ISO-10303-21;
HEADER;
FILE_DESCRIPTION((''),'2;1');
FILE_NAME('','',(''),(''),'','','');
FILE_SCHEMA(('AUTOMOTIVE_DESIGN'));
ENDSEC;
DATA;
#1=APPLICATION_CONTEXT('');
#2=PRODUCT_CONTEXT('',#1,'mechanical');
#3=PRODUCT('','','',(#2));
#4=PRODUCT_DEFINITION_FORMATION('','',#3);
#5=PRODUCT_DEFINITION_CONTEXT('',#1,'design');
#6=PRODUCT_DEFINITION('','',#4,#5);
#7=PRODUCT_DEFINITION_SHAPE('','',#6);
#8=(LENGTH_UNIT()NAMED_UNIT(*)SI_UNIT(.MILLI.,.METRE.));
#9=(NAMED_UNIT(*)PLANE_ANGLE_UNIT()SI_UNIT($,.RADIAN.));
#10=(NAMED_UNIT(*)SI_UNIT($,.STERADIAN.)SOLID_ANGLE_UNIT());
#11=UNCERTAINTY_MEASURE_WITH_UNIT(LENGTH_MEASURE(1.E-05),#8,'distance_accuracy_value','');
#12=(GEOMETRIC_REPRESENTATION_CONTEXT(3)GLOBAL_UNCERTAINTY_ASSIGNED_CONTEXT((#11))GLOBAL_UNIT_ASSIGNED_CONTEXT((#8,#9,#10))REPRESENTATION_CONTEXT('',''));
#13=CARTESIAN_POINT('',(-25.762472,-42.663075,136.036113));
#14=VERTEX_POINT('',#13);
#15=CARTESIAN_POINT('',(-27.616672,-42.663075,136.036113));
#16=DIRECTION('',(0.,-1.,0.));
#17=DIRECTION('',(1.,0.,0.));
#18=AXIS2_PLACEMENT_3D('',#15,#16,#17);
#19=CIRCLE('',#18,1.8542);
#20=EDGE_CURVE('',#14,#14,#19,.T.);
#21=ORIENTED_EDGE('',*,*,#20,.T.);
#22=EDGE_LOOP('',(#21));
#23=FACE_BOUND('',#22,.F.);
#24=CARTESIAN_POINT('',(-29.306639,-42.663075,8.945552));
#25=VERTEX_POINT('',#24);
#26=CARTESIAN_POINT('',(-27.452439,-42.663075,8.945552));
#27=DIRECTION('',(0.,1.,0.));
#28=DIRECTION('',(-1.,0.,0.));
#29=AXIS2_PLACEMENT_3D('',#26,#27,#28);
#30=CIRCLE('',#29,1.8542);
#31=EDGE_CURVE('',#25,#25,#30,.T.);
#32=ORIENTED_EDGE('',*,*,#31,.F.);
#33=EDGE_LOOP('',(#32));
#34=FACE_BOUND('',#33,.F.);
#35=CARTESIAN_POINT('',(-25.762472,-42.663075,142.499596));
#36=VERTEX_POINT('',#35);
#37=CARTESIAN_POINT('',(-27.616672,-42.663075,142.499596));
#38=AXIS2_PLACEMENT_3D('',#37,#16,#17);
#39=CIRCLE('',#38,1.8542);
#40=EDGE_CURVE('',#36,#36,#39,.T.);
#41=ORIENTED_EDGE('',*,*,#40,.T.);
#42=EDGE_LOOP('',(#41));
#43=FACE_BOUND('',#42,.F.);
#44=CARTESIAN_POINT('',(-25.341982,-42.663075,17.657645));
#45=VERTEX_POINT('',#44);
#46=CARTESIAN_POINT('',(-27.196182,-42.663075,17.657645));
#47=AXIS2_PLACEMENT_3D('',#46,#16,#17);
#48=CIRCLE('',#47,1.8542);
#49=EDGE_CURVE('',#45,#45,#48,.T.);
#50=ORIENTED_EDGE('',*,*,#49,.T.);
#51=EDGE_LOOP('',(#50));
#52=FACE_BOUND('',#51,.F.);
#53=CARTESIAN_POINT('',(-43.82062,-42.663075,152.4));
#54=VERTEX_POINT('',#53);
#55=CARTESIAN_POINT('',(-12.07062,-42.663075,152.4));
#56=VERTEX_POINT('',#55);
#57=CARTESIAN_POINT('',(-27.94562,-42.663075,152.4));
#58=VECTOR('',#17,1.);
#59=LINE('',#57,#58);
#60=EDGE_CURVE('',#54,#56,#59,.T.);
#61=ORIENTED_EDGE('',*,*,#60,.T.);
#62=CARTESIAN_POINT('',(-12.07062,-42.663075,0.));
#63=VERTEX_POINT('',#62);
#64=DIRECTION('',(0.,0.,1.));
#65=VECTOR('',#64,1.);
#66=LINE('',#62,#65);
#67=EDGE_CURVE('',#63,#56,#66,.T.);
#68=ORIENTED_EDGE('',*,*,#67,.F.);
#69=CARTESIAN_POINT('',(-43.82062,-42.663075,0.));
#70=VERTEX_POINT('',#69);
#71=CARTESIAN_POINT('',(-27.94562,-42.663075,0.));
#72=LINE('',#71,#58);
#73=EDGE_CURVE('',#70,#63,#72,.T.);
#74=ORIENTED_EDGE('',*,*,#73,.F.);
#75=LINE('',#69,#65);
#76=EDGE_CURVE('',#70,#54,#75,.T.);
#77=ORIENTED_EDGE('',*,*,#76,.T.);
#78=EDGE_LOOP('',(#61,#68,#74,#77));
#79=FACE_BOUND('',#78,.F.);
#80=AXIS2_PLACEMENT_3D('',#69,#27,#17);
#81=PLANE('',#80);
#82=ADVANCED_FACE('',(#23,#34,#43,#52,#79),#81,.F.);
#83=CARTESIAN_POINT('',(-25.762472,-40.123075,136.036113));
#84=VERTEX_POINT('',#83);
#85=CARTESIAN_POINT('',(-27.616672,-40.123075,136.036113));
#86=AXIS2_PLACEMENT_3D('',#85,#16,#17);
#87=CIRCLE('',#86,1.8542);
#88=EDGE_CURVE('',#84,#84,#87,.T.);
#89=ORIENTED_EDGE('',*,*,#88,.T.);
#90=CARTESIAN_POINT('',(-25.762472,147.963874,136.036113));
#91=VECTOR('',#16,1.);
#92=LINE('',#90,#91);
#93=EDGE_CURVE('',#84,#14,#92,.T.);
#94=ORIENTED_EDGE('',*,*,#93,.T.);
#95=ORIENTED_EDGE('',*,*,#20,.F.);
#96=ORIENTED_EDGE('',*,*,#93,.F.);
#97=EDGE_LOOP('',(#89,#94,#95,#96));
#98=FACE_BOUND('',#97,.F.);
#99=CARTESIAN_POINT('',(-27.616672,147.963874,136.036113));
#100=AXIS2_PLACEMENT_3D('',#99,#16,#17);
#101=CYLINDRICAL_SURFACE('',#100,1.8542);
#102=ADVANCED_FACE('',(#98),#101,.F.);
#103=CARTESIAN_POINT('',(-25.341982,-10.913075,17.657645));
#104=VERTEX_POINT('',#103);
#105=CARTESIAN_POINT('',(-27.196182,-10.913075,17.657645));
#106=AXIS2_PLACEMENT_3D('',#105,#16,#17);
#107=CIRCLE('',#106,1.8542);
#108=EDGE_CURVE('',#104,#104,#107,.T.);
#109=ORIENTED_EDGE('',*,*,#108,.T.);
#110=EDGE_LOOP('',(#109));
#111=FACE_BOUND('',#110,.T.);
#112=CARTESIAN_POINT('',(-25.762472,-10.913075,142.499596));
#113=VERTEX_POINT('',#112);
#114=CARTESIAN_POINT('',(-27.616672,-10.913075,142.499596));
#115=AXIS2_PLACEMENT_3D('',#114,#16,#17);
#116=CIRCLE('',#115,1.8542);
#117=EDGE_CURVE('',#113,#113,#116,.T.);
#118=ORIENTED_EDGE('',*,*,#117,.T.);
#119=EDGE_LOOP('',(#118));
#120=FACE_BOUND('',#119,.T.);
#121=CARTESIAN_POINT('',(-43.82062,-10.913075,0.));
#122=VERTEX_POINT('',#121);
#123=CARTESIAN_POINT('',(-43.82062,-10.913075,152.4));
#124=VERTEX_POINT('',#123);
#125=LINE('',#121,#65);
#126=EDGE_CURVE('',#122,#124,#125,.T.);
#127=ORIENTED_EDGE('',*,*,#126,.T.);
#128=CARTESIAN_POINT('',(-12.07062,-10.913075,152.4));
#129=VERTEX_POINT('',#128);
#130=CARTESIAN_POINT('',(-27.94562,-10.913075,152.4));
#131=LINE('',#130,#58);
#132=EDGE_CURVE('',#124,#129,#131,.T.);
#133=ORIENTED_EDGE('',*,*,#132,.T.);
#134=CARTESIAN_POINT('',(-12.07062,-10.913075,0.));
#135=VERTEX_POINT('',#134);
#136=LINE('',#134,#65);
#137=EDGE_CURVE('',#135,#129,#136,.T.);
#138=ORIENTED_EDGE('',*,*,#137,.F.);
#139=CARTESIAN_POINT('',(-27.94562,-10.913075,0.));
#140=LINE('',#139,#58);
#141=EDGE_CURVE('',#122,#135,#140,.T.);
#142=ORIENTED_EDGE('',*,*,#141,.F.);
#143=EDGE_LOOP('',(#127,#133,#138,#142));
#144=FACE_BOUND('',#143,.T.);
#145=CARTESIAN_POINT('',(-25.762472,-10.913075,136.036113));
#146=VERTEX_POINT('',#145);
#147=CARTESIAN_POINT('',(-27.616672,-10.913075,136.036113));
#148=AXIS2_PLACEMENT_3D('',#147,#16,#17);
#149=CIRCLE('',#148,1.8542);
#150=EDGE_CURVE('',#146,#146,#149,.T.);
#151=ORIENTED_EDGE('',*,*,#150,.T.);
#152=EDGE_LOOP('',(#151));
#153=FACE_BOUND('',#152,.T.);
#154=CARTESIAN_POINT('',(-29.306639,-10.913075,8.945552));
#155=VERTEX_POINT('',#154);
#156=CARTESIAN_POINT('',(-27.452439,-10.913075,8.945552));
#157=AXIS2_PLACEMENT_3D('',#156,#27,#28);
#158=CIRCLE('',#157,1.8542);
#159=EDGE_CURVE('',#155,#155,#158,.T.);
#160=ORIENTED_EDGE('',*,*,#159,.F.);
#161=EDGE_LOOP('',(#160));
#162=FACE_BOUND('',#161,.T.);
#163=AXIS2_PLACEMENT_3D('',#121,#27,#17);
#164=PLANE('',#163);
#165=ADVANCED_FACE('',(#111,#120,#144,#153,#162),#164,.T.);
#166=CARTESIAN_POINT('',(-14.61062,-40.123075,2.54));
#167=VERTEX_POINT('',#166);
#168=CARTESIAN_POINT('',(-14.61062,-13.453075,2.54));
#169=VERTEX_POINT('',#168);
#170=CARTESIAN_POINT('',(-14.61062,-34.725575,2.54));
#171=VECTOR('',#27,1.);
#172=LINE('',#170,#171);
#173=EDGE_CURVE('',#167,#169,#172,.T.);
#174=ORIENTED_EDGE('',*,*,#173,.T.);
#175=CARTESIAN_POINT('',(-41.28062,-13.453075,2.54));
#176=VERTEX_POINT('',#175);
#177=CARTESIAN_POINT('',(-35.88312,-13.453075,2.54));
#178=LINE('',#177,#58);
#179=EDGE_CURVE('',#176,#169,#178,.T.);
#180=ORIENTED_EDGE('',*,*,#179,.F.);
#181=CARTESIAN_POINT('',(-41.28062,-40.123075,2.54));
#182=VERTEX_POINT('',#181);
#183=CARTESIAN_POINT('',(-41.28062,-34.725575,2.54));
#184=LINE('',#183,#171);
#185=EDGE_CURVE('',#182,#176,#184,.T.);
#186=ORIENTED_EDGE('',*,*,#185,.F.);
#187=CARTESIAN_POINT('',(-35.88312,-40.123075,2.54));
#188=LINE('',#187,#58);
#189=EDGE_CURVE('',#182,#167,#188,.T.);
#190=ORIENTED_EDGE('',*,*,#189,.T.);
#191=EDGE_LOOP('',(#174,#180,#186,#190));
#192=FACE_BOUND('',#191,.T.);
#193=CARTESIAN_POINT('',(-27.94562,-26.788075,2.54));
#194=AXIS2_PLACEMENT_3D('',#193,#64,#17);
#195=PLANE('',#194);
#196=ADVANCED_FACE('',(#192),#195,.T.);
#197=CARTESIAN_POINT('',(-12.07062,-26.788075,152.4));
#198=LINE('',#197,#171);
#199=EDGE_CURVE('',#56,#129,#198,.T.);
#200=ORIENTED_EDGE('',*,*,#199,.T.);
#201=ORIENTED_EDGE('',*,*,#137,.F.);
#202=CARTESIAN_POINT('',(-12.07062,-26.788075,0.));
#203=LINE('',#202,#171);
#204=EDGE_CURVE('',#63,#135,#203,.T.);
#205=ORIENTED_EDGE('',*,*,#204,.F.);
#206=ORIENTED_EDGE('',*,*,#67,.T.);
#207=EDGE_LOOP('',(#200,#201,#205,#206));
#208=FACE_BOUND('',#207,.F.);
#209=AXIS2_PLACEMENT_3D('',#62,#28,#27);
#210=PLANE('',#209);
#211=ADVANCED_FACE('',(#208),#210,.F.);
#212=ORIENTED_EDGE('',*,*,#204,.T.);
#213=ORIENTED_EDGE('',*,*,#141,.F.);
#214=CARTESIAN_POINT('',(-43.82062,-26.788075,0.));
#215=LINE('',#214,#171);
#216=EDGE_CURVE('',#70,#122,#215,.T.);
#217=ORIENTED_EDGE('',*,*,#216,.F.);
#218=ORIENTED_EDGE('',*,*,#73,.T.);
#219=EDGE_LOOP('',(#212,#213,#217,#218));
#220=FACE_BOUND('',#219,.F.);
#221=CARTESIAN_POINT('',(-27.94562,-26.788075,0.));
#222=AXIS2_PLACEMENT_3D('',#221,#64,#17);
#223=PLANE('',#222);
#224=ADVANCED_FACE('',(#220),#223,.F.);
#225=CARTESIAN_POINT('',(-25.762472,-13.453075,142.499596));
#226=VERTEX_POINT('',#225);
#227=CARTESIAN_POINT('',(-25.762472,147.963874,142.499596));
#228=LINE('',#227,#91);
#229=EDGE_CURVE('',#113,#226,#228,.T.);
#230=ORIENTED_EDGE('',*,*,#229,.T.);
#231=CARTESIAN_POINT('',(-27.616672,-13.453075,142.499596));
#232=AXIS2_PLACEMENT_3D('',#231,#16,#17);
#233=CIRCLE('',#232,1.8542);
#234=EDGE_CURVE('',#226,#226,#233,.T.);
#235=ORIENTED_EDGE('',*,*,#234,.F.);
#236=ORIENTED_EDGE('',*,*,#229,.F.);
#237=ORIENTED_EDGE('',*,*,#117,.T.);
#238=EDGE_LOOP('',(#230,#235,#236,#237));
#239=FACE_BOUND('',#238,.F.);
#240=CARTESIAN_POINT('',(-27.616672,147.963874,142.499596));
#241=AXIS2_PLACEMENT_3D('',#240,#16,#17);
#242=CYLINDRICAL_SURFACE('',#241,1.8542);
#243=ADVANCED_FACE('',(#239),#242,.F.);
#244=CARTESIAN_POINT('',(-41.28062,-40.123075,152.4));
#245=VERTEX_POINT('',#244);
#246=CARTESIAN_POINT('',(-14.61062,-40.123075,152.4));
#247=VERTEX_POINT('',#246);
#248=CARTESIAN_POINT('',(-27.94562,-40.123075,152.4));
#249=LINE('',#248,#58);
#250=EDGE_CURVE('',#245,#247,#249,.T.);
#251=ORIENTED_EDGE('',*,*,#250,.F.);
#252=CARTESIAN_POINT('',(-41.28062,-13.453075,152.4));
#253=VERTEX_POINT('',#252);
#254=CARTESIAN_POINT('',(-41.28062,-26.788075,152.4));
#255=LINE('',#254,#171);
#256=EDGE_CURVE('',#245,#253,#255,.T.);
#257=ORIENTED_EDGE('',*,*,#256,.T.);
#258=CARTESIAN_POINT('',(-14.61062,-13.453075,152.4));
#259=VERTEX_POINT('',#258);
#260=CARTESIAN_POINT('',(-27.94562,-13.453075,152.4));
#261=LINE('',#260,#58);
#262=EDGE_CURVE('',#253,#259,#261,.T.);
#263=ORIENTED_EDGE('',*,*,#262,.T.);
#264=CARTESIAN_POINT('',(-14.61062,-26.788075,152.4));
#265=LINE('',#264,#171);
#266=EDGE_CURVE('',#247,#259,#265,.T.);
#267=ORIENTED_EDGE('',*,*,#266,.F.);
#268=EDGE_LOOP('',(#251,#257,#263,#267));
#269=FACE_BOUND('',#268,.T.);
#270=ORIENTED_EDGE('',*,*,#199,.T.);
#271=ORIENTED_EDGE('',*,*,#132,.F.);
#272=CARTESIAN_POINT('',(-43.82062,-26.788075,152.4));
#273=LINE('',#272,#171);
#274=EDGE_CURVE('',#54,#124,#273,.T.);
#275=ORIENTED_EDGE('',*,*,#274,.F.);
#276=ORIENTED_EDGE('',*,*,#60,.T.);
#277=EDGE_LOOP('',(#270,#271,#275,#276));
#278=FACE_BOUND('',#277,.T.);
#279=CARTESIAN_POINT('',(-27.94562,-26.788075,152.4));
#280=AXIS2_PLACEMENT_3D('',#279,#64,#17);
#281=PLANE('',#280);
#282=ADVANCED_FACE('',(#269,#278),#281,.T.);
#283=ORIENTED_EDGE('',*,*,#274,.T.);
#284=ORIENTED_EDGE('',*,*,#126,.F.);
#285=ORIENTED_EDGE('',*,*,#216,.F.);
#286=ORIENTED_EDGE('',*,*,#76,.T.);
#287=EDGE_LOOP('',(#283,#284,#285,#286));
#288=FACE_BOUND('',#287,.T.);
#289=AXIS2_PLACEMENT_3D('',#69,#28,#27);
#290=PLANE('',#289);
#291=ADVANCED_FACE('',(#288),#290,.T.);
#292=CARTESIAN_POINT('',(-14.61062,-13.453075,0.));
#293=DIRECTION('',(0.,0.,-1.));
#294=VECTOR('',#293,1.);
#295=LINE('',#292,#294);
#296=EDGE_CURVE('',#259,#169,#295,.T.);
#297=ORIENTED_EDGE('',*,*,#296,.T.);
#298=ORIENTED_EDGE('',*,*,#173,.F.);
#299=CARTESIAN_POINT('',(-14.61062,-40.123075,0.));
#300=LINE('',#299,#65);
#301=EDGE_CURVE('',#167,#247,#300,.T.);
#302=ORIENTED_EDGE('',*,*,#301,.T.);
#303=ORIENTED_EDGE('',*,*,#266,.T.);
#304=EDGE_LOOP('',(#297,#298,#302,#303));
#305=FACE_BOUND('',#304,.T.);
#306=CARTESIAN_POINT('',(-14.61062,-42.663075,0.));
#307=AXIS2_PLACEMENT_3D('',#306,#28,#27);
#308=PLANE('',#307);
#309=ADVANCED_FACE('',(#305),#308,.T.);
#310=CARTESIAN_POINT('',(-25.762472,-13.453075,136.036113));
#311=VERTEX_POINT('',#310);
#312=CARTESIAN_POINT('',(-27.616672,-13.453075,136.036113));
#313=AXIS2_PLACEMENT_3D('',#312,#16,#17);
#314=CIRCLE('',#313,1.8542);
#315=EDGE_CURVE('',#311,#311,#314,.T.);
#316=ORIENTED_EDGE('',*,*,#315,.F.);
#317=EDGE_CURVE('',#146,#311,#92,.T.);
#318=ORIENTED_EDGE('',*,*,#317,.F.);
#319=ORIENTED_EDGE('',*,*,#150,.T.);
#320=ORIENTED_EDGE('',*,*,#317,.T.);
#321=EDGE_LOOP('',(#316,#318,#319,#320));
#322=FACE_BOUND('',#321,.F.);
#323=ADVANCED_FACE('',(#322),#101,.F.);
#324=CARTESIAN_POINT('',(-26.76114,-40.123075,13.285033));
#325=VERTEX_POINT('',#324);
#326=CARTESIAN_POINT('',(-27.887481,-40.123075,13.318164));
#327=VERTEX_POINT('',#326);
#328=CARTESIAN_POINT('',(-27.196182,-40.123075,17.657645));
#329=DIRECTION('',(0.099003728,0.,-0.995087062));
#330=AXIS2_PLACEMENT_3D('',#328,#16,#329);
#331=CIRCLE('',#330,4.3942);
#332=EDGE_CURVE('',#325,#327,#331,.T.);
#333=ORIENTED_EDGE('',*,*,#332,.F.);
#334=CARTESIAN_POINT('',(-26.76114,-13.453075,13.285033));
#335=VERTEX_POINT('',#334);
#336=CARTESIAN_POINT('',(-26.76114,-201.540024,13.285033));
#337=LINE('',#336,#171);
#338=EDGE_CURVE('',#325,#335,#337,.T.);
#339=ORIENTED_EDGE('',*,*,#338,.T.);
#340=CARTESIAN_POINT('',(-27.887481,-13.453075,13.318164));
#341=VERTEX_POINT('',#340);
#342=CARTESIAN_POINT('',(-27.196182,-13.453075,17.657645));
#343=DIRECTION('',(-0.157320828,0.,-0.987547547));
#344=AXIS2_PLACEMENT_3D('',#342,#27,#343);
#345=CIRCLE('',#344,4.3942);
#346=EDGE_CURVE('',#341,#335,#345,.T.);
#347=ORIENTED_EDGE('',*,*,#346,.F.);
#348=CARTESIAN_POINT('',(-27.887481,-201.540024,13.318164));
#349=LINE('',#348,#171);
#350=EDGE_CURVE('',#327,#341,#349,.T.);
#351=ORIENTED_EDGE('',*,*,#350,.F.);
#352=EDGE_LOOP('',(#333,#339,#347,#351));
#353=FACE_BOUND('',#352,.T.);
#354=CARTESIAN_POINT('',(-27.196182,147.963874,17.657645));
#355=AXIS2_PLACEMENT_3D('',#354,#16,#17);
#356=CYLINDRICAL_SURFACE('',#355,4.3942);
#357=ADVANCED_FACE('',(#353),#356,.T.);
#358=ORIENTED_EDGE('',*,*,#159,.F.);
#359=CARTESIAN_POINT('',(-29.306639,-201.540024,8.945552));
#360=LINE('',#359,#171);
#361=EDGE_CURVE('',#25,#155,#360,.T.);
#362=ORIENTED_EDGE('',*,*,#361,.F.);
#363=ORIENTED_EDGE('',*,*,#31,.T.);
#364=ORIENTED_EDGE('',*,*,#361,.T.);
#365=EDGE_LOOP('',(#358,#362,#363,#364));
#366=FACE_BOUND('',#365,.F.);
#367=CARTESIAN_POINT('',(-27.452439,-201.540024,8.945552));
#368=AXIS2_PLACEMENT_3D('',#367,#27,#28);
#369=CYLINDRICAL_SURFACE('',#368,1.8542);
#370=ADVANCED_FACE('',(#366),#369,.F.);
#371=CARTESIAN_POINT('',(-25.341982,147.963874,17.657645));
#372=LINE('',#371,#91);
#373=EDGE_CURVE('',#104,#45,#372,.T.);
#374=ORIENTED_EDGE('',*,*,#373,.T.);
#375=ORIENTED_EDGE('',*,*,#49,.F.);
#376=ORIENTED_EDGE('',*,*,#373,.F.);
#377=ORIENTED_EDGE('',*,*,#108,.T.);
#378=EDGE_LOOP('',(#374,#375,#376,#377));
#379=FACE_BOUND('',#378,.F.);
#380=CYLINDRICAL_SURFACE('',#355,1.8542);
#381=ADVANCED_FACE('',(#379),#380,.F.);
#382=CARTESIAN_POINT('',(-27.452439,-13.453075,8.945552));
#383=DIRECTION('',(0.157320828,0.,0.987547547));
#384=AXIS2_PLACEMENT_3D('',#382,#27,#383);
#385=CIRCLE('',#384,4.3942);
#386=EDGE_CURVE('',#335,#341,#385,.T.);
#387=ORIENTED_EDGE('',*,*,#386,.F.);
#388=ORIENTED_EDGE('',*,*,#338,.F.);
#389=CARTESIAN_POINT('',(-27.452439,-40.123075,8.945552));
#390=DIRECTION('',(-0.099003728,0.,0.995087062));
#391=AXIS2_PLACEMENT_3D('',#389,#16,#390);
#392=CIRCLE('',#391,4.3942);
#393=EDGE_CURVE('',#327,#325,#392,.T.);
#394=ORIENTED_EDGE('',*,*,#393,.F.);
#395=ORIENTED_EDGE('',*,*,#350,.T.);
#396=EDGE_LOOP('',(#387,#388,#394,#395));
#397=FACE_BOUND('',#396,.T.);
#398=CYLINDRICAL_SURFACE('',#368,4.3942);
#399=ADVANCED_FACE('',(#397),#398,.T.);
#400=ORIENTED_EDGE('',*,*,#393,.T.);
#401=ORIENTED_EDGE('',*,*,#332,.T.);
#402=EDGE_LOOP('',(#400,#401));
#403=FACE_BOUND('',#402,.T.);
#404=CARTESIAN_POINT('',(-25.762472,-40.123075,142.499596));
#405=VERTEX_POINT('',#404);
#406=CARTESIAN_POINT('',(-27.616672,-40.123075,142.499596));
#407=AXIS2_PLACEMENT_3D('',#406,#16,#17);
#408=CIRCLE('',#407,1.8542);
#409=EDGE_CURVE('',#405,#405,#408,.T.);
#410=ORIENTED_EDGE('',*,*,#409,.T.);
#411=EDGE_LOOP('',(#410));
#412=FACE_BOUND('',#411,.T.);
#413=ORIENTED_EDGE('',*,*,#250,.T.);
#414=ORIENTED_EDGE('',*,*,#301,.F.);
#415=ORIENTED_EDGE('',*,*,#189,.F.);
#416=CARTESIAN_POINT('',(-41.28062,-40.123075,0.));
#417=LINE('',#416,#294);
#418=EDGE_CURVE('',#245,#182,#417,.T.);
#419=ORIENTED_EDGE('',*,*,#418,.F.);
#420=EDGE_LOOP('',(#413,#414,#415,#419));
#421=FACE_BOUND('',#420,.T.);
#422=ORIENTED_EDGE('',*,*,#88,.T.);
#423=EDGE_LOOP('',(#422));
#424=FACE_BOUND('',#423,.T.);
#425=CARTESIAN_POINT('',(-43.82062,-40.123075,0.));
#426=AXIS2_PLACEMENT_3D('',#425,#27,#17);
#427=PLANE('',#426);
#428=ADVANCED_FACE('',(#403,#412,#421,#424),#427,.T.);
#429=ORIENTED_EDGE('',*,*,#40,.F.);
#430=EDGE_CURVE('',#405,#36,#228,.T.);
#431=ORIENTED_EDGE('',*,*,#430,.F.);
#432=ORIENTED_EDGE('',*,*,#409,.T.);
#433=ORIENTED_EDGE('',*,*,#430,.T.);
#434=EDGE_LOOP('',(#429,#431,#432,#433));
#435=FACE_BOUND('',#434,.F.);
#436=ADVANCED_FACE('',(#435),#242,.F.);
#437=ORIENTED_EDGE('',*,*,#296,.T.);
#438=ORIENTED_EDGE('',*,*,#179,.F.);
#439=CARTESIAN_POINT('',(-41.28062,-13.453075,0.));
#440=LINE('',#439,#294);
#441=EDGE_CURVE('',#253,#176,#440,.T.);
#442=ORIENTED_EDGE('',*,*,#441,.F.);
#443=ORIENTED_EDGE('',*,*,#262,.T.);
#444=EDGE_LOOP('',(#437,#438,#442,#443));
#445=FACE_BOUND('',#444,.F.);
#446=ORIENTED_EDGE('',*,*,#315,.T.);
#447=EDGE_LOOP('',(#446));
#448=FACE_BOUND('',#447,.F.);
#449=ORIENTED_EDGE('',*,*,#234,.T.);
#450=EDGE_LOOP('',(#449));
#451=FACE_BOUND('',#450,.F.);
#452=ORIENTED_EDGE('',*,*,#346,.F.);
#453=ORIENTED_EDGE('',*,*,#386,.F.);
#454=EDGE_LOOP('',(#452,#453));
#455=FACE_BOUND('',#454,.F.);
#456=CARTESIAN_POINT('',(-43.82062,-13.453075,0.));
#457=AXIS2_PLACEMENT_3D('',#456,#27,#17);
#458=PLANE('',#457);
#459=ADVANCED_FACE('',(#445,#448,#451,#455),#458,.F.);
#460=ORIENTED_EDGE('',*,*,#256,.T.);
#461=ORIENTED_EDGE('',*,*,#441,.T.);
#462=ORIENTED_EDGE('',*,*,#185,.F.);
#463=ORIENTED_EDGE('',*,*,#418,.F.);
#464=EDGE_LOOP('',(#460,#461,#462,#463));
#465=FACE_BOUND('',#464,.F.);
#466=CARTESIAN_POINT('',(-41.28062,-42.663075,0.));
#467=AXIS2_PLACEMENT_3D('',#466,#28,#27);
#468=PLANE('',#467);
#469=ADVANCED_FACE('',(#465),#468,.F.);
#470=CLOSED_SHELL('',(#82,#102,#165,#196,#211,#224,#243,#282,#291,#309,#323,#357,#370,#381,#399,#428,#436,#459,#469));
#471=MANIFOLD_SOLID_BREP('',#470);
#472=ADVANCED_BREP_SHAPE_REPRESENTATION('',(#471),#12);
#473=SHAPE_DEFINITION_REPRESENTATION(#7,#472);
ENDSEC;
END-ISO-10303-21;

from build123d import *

# Parameters (mm, degrees)
F0_W     = 31.75
F0_H     = 31.75
F1_DEPTH = 152.4
F3_D     = 3.7084
F5_D     = 3.7084
F6_T     = -2.54
F9_D     = 3.7084


with BuildPart() as f1:
    # F0 (on Top) → F1 (new body)
    with BuildSketch(Plane.XY):
        with Locations((-27.94562, -26.788075)):
            Rectangle(F0_W, F0_H)
    extrude(amount=F1_DEPTH)

    # F3 (through all)
    with Locations(Plane.XZ.offset(42.663075)):
        with Locations((-27.452439, 8.945552)):
            Hole(F3_D / 2)

    # F5 (through all)
    with Locations(Plane(origin=(0, -10.913075, 0), x_dir=(-1, 0, 0), z_dir=(0, 1, 0))):
        with Locations((27.196182, 17.657645)):
            Hole(F5_D / 2)

    # F6
    f6_openings = [f1.faces().sort_by_distance(p)[0] for p in [
        (-27.94562, -26.788075, 152.4),
    ]]
    offset(amount=F6_T, openings=f6_openings)

    # F9 (through all)
    with Locations(Plane(origin=(0, -10.913075, 0), x_dir=(-1, 0, 0), z_dir=(0, 1, 0))):
        with Locations((27.616672, 142.499596), (27.616672, 136.036113)):
            Hole(F9_D / 2)


solid = f1.part
